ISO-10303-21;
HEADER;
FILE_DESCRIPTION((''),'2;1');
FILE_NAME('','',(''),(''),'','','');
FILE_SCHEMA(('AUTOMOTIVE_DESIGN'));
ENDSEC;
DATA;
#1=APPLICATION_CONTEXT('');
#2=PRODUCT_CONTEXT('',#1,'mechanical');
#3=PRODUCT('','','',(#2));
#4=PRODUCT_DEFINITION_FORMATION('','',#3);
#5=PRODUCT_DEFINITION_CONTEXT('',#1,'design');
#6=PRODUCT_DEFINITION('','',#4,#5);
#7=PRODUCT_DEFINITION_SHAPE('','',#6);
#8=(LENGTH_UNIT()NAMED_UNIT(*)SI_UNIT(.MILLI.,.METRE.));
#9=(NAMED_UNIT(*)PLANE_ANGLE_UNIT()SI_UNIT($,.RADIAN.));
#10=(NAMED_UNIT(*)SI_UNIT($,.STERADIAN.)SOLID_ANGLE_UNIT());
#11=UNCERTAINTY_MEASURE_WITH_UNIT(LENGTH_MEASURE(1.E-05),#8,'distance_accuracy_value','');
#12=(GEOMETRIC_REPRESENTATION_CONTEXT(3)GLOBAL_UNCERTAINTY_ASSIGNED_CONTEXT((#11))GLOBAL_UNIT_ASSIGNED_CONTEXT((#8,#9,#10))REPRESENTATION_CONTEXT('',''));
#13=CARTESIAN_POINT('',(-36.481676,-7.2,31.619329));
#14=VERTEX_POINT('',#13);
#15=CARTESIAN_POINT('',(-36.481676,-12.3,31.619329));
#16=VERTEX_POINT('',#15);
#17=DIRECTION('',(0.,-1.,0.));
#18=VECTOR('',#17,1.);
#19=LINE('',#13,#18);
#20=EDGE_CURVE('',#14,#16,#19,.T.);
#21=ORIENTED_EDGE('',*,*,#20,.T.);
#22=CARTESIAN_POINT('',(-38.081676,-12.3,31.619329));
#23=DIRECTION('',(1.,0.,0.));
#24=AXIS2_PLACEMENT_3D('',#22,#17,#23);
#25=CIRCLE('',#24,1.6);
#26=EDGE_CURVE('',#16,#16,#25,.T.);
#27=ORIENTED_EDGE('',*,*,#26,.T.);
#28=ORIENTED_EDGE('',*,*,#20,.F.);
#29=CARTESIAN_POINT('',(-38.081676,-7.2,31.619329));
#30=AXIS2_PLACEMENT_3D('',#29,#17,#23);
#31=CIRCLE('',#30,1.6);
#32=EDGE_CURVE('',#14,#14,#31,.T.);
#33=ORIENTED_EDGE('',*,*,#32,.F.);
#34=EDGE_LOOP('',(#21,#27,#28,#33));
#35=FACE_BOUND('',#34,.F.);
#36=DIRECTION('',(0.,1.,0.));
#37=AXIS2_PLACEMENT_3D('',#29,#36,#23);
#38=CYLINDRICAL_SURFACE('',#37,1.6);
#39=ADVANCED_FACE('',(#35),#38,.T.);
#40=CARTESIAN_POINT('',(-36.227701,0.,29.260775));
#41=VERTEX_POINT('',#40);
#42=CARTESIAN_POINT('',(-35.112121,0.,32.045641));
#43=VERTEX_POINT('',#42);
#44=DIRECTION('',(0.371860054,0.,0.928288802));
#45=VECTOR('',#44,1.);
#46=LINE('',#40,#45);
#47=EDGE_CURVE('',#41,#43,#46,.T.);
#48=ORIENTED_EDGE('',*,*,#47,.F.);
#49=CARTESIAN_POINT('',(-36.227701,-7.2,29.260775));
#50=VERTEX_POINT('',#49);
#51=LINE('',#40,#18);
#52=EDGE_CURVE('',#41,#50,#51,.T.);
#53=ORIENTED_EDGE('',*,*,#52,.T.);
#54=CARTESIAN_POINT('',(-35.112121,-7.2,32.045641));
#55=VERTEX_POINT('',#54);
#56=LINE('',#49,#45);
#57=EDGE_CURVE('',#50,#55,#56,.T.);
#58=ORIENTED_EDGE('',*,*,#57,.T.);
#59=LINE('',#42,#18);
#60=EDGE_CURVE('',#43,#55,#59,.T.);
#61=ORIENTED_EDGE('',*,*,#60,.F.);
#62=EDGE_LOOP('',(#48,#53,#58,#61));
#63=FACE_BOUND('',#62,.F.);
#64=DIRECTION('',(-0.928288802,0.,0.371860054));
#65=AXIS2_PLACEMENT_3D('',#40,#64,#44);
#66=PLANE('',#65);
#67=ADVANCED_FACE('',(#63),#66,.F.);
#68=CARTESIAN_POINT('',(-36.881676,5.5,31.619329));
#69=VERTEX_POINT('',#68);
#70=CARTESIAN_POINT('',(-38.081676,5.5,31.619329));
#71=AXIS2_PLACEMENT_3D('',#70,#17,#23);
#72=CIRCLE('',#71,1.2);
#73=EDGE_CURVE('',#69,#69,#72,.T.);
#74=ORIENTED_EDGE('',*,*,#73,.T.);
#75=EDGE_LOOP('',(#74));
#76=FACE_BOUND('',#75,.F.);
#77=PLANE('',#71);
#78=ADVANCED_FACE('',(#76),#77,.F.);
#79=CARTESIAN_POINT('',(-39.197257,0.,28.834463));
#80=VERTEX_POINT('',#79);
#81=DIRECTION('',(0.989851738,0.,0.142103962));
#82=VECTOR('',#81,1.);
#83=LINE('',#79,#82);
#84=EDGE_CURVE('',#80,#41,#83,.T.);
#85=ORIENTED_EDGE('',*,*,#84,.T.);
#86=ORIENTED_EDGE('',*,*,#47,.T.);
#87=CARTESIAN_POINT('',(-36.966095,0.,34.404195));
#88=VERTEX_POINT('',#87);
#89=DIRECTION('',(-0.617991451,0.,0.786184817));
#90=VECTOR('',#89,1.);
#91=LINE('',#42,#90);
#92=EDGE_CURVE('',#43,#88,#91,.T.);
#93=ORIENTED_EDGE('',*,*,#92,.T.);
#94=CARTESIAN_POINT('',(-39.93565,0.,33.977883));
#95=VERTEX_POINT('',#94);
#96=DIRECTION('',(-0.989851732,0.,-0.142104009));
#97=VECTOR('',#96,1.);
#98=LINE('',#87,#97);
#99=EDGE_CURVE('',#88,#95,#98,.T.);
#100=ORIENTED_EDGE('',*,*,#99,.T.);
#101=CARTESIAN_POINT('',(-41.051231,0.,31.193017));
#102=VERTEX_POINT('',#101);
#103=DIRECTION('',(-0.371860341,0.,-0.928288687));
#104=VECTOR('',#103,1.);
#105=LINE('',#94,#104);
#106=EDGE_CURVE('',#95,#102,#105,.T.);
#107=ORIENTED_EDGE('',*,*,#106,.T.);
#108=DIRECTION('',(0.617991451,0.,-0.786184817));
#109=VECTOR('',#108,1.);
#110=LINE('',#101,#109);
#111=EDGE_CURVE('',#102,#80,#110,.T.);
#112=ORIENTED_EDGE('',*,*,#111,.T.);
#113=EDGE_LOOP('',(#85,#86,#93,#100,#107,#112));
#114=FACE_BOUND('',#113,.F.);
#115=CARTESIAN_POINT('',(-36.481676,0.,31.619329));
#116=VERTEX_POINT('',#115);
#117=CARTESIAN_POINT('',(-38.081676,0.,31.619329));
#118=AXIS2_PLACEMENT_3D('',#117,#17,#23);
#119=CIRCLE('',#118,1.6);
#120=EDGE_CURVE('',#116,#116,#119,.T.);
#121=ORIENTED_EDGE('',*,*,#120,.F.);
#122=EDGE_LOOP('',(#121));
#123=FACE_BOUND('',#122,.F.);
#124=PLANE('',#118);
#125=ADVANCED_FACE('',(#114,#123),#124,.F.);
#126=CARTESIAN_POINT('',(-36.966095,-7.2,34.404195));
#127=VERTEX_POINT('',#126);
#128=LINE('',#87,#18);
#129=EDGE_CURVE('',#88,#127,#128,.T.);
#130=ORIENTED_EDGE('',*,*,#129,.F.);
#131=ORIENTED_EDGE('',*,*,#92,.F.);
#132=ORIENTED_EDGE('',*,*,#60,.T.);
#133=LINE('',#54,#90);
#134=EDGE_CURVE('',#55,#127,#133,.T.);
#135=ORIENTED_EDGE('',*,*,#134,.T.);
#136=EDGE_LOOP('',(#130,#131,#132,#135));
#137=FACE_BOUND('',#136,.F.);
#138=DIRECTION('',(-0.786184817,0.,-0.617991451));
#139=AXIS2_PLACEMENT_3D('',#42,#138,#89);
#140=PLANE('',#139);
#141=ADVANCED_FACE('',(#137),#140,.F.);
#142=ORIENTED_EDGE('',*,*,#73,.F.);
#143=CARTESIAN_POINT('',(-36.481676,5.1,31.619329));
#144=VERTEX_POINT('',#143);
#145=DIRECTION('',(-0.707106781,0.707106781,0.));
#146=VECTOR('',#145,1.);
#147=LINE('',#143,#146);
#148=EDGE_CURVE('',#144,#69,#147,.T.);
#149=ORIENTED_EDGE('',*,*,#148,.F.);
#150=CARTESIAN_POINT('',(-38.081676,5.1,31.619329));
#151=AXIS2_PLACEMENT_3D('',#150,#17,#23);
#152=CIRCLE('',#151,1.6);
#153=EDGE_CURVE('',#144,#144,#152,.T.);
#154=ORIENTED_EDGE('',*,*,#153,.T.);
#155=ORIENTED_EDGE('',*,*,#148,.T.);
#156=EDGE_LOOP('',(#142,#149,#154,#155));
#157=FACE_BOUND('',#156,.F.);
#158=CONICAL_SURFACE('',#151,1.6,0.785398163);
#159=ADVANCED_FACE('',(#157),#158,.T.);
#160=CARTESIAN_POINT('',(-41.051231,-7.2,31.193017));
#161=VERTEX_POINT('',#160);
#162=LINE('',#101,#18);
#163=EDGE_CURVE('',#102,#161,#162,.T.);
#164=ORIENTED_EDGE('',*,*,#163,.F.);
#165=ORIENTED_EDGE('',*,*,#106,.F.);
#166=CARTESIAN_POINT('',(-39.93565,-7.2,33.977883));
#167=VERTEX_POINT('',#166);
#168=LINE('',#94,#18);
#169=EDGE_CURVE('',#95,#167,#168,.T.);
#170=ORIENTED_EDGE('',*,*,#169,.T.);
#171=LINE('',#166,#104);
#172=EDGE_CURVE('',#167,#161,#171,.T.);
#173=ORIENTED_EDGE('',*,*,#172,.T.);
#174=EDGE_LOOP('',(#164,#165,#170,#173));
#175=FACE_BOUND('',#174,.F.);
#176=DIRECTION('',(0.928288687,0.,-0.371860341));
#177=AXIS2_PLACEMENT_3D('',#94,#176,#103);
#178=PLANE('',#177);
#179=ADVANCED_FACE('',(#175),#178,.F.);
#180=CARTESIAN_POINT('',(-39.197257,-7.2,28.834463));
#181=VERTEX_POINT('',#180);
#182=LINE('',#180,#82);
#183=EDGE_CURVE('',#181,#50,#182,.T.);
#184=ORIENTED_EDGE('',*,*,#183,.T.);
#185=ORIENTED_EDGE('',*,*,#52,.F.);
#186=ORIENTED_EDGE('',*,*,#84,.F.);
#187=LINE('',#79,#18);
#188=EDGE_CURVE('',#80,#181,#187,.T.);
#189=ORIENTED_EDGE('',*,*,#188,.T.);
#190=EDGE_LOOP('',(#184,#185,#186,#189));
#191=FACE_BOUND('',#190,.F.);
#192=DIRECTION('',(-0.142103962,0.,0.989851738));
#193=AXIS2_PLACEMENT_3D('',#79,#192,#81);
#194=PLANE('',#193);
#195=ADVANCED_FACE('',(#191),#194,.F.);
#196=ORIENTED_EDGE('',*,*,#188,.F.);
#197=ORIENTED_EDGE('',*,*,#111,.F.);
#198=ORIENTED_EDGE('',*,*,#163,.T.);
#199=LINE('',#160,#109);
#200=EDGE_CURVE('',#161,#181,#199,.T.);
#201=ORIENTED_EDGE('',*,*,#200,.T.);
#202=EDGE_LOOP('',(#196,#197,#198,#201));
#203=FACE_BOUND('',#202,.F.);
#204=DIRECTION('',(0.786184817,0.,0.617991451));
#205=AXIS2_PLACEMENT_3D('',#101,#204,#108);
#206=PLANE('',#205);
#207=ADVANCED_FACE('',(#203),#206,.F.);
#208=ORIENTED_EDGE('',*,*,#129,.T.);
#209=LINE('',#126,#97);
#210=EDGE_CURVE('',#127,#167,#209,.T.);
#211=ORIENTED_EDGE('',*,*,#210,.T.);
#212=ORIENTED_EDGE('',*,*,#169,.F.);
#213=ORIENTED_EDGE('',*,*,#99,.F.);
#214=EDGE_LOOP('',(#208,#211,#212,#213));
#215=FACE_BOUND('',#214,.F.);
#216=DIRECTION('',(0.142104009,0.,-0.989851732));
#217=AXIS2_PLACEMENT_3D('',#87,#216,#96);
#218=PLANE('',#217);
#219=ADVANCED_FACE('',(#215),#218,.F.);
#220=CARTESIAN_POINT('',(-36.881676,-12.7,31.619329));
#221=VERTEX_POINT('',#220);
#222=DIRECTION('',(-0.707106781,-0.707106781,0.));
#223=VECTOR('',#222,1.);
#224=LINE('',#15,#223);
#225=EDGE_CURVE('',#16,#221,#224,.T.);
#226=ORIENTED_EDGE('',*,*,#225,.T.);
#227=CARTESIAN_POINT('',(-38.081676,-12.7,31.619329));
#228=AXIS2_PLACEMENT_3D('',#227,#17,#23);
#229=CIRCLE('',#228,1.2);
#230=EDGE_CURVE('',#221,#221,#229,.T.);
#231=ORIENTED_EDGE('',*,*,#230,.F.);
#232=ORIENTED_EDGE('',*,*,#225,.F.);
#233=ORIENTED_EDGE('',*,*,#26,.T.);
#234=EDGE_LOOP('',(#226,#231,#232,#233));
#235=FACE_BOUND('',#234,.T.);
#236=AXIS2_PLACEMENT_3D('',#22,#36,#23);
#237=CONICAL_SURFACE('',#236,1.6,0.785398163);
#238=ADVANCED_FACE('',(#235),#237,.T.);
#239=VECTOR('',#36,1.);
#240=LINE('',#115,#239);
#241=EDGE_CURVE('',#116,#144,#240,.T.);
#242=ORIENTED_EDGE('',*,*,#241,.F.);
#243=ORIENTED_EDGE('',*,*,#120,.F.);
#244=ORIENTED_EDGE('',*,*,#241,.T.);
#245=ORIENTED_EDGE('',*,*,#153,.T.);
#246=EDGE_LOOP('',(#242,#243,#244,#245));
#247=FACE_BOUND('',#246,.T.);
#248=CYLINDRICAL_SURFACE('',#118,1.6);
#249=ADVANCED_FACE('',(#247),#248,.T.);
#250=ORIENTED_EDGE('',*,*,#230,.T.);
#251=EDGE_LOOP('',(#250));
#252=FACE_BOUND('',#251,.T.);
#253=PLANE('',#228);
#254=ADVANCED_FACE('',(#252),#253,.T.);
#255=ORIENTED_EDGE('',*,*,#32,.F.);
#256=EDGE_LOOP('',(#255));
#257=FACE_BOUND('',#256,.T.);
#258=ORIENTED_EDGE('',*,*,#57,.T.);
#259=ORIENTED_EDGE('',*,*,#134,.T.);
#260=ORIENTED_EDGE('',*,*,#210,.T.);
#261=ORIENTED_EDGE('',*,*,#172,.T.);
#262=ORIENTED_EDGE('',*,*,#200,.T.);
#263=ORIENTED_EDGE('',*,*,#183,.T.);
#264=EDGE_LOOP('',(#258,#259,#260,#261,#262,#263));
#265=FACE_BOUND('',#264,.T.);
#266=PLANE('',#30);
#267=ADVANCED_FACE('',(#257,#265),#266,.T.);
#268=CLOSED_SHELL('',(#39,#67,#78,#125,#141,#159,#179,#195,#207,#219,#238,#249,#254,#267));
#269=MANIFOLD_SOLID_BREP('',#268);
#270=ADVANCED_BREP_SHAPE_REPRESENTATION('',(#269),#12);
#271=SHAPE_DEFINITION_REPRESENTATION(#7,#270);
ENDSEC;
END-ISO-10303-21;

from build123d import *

# Parameters (mm, degrees)
F0_R     = 1.6
F1_DEPTH = 7.2
F2_DEPTH = 5.5
F3_R     = 1.6
F4_DEPTH = 5.5
F5_SIZE  = 0.4


with BuildPart() as f1:
    # F0 (on Front) → F1 (new body)
    with BuildSketch(Plane.XZ):
        Polygon((-35.112121, 32.045641), (-36.966095, 34.404195), (-39.93565, 33.977883), (-41.051231, 31.193017), (-39.197257, 28.834463), (-36.227701, 29.260775), align=None)
        with Locations((-38.081676, 31.619329)):
            Circle(F0_R, mode=Mode.SUBTRACT)
        with Locations((-38.081676, 31.619329)):
            Circle(F0_R)
    extrude(amount=F1_DEPTH)

    # F0 (on Front) → F2 (join)
    with BuildSketch(Plane.XZ):
        with Locations((-38.081676, 31.619329)):
            Circle(F0_R)
    extrude(amount=-F2_DEPTH)

    # F3 (on face) → F4 (join)
    with BuildSketch(Plane.XZ.offset(7.2)):
        with Locations((-38.081676, 31.619329)):
            Circle(F3_R)
    extrude(amount=F4_DEPTH)

    # F5
    f5_edges = [f1.edges().sort_by_distance(p)[0] for p in [
        (-39.681676, 5.5, 31.619329),
        (-39.681676, -12.7, 31.619329),
    ]]
    chamfer(f5_edges, length=F5_SIZE)


solid = f1.part
